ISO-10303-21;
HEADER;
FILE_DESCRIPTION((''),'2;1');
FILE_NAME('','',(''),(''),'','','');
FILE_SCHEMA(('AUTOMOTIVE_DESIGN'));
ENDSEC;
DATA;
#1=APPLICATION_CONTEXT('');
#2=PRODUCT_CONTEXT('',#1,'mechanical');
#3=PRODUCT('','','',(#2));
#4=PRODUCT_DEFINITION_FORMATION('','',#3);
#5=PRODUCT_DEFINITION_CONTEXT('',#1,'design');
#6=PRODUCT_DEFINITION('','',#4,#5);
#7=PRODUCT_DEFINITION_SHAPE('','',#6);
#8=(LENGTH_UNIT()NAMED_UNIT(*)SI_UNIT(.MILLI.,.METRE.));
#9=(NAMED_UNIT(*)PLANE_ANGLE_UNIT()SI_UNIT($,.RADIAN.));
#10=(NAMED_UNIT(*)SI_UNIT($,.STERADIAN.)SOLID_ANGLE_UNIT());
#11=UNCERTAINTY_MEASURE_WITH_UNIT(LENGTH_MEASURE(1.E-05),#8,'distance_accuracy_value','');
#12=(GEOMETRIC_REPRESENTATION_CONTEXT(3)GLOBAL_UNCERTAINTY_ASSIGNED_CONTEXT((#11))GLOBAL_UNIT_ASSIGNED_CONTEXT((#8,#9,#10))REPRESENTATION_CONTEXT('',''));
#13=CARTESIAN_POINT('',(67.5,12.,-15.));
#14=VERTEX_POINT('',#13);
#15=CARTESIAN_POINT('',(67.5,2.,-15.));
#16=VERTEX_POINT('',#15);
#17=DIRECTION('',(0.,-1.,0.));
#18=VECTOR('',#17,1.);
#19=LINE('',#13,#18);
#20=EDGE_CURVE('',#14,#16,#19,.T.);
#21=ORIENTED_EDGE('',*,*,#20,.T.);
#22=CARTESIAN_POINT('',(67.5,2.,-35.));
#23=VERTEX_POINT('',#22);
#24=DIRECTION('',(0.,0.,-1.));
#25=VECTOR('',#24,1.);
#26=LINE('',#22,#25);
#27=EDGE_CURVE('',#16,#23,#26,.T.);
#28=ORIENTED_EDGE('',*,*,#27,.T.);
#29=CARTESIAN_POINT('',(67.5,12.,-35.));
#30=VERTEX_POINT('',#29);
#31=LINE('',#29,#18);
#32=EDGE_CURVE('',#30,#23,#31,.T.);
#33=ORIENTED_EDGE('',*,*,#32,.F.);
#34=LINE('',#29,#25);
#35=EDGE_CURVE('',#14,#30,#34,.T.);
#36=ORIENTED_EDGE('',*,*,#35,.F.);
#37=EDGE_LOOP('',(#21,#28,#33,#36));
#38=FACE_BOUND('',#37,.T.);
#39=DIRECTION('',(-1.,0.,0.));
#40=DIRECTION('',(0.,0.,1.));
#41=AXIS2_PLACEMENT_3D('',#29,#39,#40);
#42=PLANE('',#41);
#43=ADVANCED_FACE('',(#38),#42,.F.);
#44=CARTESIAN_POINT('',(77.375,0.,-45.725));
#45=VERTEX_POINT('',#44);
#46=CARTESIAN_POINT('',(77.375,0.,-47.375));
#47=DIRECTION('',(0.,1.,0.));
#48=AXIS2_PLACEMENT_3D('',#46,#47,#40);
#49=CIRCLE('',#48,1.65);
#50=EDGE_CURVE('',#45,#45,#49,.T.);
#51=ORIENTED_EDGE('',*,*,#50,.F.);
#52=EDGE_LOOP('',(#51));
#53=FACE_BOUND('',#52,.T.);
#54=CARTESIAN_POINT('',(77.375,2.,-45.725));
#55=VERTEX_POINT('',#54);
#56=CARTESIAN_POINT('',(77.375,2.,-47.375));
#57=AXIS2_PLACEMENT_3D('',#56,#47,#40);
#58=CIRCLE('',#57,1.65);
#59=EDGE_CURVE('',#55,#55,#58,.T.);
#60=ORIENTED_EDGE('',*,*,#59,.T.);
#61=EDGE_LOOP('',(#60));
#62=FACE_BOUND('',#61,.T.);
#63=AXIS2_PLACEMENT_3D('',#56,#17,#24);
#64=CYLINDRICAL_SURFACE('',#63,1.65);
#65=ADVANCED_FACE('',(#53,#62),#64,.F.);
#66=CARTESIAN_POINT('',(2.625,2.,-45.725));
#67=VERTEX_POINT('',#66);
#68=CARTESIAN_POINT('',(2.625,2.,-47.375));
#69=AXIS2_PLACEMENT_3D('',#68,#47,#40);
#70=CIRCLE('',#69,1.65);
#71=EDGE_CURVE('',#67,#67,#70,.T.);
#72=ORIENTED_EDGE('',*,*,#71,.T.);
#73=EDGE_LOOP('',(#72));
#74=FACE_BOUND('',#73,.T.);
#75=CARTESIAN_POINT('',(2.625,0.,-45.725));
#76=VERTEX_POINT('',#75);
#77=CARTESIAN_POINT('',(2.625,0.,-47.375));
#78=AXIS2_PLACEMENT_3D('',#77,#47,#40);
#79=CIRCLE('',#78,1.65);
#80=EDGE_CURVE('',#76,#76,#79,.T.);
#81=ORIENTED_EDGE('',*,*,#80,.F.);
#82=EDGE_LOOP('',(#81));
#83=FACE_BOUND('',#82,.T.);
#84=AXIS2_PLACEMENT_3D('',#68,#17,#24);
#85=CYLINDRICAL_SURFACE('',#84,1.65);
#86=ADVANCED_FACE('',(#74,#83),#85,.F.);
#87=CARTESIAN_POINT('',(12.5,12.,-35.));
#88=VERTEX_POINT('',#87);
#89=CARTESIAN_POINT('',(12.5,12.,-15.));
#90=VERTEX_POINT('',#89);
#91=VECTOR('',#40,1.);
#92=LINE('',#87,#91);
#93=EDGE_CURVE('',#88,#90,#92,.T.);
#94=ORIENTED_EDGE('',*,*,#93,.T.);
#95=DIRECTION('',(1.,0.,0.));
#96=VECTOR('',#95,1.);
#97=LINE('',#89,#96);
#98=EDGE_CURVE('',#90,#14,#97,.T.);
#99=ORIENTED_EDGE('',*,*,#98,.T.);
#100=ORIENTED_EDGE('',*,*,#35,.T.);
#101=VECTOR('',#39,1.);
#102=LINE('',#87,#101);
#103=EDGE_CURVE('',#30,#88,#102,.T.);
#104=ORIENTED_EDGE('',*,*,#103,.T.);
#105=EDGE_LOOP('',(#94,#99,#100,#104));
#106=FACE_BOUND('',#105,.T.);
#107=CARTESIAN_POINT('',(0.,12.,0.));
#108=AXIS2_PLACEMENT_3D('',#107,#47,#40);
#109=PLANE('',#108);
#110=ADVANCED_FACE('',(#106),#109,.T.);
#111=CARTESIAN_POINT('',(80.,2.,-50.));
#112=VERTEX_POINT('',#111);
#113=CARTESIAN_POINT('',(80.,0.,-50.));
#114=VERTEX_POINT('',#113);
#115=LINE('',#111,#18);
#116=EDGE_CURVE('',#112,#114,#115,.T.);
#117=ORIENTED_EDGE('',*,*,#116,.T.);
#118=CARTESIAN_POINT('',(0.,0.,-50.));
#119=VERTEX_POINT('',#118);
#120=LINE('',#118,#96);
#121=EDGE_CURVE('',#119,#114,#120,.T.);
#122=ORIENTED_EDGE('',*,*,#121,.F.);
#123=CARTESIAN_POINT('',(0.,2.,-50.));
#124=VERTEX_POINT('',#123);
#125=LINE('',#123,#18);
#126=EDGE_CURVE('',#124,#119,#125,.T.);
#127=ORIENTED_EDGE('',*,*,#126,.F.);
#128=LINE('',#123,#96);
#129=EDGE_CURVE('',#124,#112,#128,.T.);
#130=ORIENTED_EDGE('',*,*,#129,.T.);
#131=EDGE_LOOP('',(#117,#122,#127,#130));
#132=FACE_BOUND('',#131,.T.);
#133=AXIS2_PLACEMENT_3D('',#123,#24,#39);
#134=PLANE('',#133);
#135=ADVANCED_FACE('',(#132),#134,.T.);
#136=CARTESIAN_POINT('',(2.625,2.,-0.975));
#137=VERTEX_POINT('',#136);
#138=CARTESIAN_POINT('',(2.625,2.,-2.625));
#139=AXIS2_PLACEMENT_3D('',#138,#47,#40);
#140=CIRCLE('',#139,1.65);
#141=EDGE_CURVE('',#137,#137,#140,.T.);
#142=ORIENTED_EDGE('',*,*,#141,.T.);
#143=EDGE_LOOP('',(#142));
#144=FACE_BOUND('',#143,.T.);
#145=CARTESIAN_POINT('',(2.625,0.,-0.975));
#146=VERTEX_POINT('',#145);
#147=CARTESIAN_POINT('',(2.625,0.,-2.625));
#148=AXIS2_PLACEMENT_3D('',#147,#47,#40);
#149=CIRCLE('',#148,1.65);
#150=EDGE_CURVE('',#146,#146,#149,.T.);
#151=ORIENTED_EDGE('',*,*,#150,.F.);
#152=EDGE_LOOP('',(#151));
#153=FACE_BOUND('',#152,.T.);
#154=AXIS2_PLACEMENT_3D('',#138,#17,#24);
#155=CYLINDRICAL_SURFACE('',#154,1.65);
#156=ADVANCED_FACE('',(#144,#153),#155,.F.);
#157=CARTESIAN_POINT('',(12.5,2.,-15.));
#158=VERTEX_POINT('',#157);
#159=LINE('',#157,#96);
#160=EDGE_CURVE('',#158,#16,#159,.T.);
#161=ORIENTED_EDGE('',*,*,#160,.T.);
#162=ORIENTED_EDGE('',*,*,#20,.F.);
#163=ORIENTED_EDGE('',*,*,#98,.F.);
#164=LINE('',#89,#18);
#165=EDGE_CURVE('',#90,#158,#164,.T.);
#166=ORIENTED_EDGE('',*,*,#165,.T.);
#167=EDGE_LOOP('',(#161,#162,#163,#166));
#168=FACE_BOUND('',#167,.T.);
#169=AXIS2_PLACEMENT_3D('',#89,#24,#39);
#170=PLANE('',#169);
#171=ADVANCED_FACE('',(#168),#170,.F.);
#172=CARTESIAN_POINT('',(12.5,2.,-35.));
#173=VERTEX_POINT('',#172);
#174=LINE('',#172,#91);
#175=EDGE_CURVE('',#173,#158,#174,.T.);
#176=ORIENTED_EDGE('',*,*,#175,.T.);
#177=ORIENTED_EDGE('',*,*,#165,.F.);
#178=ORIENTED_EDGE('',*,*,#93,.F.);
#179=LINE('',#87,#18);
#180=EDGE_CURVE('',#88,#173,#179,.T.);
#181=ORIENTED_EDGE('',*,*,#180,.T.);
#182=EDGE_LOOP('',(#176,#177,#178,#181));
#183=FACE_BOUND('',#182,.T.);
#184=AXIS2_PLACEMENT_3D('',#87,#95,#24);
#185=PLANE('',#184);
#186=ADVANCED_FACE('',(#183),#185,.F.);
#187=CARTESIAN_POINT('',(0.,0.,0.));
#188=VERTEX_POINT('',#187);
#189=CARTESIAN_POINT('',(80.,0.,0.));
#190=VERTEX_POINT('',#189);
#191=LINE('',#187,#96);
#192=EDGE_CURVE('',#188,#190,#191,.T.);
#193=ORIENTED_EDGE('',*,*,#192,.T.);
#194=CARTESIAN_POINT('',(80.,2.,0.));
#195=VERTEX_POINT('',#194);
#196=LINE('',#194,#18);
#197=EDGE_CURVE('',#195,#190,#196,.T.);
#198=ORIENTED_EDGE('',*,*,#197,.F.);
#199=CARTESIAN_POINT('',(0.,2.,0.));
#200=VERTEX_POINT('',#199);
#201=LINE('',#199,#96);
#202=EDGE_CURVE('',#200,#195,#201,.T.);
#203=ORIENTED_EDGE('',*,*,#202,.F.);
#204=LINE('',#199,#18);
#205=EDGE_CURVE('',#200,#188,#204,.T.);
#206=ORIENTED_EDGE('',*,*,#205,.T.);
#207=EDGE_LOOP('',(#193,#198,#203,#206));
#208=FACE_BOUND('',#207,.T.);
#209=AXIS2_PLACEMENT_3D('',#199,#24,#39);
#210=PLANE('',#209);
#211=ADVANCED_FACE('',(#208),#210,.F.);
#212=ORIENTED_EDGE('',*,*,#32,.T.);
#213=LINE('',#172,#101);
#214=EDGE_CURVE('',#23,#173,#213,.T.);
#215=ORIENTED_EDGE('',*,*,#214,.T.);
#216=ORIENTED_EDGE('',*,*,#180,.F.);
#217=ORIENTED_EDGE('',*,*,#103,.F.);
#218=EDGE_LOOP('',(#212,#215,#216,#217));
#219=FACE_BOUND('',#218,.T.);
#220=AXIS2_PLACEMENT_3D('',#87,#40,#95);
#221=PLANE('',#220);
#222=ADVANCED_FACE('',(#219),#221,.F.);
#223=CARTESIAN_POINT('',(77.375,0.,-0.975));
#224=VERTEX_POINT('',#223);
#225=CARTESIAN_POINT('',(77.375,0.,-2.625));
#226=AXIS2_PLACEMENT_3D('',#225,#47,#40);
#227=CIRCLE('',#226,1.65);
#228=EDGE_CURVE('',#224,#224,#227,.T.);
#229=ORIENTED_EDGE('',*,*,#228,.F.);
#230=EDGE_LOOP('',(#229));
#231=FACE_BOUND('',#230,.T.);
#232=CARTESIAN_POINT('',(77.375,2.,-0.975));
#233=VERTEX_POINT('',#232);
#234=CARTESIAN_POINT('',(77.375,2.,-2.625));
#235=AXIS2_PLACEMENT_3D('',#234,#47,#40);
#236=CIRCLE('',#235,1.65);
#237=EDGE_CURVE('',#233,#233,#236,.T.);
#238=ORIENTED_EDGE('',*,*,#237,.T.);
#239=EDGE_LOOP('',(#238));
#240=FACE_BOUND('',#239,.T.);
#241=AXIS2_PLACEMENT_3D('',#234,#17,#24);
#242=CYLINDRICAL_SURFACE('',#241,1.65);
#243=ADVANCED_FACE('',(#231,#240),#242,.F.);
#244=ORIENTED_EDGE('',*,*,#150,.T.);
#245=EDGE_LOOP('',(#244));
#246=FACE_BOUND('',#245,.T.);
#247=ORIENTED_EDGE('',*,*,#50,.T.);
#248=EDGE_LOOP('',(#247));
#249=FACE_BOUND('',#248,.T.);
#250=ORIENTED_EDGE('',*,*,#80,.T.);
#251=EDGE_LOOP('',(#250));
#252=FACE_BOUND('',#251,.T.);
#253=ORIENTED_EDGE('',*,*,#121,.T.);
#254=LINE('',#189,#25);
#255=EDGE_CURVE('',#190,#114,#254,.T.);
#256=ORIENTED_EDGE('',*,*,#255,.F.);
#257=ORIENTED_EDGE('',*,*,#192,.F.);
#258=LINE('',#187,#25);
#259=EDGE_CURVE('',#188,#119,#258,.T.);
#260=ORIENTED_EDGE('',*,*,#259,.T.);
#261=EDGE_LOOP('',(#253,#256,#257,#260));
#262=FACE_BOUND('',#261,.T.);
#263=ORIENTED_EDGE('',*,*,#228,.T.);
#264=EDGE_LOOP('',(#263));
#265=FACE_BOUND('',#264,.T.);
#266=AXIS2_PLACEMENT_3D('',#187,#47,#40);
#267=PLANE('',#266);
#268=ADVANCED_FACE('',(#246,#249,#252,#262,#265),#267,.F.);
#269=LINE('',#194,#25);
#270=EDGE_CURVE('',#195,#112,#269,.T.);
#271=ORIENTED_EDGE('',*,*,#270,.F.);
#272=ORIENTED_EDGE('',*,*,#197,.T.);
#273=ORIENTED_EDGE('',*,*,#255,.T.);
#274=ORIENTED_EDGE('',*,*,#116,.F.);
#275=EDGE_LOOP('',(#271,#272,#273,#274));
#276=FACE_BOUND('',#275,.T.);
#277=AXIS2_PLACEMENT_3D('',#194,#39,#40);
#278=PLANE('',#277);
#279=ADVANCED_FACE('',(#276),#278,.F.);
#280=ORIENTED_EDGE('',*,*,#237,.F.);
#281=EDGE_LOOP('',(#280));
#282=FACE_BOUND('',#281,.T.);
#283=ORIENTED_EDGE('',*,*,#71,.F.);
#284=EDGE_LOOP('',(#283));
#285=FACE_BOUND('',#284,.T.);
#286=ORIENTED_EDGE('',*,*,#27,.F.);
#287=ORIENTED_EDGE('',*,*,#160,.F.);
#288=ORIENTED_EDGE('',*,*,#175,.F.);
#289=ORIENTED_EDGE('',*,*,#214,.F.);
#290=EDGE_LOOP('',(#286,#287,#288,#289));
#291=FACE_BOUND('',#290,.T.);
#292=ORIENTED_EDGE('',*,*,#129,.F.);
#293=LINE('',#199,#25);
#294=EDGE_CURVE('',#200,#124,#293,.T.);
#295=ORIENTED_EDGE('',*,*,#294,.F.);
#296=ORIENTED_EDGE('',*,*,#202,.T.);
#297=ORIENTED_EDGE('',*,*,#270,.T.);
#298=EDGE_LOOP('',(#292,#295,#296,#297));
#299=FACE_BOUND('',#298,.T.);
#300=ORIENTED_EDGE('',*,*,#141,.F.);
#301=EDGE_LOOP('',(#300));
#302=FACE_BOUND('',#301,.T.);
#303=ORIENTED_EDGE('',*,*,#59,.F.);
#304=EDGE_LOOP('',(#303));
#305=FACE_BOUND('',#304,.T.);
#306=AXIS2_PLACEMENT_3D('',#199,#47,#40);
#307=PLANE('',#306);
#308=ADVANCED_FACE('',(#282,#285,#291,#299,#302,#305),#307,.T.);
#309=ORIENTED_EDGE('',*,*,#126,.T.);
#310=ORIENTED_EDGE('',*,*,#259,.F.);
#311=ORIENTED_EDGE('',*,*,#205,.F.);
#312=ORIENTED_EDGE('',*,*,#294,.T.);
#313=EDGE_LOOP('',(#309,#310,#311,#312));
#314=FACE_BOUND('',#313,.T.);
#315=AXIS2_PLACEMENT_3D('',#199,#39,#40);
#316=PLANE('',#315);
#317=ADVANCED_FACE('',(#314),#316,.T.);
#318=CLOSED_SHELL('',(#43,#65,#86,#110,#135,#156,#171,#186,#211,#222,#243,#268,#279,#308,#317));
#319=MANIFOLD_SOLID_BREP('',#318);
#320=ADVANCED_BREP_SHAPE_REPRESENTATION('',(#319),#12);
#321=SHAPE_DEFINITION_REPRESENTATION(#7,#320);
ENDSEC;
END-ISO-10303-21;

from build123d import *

# Parameters (mm, degrees)
SKETCH1_W           = 80
SKETCH1_H           = 50
SKETCH1_R           = 1.65
BOSS_EXTRUDE1_DEPTH = 2
SKETCH2_W           = 55
SKETCH2_H           = 20
BOSS_EXTRUDE2_DEPTH = 10


with BuildPart() as part:
    # Sketch1 → Boss-Extrude1 (new body)
    with BuildSketch(Plane(origin=(0, 0, 0), x_dir=(1, 0, 0), z_dir=(0, 1, 0))):
        with Locations((40, 25)):
            Rectangle(SKETCH1_W, SKETCH1_H)
        with Locations(Location((2.625, 2.625, 0), (0, 0, 270))):
            Circle(SKETCH1_R, mode=Mode.SUBTRACT)
        with Locations(Location((77.375, 2.625, 0), (0, 0, 270))):
            Circle(SKETCH1_R, mode=Mode.SUBTRACT)
        with Locations(Location((2.625, 47.375, 0), (0, 0, 270))):
            Circle(SKETCH1_R, mode=Mode.SUBTRACT)
        with Locations(Location((77.375, 47.375, 0), (0, 0, 270))):
            Circle(SKETCH1_R, mode=Mode.SUBTRACT)
    extrude(amount=BOSS_EXTRUDE1_DEPTH)

    # Sketch2 → Boss-Extrude2 (add)
    with BuildSketch(Plane(origin=(0, 2, 0), x_dir=(1, 0, 0), z_dir=(0, 1, 0))):
        with Locations((40, 25)):
            Rectangle(SKETCH2_W, SKETCH2_H)
    extrude(amount=BOSS_EXTRUDE2_DEPTH)


solid = part.part
